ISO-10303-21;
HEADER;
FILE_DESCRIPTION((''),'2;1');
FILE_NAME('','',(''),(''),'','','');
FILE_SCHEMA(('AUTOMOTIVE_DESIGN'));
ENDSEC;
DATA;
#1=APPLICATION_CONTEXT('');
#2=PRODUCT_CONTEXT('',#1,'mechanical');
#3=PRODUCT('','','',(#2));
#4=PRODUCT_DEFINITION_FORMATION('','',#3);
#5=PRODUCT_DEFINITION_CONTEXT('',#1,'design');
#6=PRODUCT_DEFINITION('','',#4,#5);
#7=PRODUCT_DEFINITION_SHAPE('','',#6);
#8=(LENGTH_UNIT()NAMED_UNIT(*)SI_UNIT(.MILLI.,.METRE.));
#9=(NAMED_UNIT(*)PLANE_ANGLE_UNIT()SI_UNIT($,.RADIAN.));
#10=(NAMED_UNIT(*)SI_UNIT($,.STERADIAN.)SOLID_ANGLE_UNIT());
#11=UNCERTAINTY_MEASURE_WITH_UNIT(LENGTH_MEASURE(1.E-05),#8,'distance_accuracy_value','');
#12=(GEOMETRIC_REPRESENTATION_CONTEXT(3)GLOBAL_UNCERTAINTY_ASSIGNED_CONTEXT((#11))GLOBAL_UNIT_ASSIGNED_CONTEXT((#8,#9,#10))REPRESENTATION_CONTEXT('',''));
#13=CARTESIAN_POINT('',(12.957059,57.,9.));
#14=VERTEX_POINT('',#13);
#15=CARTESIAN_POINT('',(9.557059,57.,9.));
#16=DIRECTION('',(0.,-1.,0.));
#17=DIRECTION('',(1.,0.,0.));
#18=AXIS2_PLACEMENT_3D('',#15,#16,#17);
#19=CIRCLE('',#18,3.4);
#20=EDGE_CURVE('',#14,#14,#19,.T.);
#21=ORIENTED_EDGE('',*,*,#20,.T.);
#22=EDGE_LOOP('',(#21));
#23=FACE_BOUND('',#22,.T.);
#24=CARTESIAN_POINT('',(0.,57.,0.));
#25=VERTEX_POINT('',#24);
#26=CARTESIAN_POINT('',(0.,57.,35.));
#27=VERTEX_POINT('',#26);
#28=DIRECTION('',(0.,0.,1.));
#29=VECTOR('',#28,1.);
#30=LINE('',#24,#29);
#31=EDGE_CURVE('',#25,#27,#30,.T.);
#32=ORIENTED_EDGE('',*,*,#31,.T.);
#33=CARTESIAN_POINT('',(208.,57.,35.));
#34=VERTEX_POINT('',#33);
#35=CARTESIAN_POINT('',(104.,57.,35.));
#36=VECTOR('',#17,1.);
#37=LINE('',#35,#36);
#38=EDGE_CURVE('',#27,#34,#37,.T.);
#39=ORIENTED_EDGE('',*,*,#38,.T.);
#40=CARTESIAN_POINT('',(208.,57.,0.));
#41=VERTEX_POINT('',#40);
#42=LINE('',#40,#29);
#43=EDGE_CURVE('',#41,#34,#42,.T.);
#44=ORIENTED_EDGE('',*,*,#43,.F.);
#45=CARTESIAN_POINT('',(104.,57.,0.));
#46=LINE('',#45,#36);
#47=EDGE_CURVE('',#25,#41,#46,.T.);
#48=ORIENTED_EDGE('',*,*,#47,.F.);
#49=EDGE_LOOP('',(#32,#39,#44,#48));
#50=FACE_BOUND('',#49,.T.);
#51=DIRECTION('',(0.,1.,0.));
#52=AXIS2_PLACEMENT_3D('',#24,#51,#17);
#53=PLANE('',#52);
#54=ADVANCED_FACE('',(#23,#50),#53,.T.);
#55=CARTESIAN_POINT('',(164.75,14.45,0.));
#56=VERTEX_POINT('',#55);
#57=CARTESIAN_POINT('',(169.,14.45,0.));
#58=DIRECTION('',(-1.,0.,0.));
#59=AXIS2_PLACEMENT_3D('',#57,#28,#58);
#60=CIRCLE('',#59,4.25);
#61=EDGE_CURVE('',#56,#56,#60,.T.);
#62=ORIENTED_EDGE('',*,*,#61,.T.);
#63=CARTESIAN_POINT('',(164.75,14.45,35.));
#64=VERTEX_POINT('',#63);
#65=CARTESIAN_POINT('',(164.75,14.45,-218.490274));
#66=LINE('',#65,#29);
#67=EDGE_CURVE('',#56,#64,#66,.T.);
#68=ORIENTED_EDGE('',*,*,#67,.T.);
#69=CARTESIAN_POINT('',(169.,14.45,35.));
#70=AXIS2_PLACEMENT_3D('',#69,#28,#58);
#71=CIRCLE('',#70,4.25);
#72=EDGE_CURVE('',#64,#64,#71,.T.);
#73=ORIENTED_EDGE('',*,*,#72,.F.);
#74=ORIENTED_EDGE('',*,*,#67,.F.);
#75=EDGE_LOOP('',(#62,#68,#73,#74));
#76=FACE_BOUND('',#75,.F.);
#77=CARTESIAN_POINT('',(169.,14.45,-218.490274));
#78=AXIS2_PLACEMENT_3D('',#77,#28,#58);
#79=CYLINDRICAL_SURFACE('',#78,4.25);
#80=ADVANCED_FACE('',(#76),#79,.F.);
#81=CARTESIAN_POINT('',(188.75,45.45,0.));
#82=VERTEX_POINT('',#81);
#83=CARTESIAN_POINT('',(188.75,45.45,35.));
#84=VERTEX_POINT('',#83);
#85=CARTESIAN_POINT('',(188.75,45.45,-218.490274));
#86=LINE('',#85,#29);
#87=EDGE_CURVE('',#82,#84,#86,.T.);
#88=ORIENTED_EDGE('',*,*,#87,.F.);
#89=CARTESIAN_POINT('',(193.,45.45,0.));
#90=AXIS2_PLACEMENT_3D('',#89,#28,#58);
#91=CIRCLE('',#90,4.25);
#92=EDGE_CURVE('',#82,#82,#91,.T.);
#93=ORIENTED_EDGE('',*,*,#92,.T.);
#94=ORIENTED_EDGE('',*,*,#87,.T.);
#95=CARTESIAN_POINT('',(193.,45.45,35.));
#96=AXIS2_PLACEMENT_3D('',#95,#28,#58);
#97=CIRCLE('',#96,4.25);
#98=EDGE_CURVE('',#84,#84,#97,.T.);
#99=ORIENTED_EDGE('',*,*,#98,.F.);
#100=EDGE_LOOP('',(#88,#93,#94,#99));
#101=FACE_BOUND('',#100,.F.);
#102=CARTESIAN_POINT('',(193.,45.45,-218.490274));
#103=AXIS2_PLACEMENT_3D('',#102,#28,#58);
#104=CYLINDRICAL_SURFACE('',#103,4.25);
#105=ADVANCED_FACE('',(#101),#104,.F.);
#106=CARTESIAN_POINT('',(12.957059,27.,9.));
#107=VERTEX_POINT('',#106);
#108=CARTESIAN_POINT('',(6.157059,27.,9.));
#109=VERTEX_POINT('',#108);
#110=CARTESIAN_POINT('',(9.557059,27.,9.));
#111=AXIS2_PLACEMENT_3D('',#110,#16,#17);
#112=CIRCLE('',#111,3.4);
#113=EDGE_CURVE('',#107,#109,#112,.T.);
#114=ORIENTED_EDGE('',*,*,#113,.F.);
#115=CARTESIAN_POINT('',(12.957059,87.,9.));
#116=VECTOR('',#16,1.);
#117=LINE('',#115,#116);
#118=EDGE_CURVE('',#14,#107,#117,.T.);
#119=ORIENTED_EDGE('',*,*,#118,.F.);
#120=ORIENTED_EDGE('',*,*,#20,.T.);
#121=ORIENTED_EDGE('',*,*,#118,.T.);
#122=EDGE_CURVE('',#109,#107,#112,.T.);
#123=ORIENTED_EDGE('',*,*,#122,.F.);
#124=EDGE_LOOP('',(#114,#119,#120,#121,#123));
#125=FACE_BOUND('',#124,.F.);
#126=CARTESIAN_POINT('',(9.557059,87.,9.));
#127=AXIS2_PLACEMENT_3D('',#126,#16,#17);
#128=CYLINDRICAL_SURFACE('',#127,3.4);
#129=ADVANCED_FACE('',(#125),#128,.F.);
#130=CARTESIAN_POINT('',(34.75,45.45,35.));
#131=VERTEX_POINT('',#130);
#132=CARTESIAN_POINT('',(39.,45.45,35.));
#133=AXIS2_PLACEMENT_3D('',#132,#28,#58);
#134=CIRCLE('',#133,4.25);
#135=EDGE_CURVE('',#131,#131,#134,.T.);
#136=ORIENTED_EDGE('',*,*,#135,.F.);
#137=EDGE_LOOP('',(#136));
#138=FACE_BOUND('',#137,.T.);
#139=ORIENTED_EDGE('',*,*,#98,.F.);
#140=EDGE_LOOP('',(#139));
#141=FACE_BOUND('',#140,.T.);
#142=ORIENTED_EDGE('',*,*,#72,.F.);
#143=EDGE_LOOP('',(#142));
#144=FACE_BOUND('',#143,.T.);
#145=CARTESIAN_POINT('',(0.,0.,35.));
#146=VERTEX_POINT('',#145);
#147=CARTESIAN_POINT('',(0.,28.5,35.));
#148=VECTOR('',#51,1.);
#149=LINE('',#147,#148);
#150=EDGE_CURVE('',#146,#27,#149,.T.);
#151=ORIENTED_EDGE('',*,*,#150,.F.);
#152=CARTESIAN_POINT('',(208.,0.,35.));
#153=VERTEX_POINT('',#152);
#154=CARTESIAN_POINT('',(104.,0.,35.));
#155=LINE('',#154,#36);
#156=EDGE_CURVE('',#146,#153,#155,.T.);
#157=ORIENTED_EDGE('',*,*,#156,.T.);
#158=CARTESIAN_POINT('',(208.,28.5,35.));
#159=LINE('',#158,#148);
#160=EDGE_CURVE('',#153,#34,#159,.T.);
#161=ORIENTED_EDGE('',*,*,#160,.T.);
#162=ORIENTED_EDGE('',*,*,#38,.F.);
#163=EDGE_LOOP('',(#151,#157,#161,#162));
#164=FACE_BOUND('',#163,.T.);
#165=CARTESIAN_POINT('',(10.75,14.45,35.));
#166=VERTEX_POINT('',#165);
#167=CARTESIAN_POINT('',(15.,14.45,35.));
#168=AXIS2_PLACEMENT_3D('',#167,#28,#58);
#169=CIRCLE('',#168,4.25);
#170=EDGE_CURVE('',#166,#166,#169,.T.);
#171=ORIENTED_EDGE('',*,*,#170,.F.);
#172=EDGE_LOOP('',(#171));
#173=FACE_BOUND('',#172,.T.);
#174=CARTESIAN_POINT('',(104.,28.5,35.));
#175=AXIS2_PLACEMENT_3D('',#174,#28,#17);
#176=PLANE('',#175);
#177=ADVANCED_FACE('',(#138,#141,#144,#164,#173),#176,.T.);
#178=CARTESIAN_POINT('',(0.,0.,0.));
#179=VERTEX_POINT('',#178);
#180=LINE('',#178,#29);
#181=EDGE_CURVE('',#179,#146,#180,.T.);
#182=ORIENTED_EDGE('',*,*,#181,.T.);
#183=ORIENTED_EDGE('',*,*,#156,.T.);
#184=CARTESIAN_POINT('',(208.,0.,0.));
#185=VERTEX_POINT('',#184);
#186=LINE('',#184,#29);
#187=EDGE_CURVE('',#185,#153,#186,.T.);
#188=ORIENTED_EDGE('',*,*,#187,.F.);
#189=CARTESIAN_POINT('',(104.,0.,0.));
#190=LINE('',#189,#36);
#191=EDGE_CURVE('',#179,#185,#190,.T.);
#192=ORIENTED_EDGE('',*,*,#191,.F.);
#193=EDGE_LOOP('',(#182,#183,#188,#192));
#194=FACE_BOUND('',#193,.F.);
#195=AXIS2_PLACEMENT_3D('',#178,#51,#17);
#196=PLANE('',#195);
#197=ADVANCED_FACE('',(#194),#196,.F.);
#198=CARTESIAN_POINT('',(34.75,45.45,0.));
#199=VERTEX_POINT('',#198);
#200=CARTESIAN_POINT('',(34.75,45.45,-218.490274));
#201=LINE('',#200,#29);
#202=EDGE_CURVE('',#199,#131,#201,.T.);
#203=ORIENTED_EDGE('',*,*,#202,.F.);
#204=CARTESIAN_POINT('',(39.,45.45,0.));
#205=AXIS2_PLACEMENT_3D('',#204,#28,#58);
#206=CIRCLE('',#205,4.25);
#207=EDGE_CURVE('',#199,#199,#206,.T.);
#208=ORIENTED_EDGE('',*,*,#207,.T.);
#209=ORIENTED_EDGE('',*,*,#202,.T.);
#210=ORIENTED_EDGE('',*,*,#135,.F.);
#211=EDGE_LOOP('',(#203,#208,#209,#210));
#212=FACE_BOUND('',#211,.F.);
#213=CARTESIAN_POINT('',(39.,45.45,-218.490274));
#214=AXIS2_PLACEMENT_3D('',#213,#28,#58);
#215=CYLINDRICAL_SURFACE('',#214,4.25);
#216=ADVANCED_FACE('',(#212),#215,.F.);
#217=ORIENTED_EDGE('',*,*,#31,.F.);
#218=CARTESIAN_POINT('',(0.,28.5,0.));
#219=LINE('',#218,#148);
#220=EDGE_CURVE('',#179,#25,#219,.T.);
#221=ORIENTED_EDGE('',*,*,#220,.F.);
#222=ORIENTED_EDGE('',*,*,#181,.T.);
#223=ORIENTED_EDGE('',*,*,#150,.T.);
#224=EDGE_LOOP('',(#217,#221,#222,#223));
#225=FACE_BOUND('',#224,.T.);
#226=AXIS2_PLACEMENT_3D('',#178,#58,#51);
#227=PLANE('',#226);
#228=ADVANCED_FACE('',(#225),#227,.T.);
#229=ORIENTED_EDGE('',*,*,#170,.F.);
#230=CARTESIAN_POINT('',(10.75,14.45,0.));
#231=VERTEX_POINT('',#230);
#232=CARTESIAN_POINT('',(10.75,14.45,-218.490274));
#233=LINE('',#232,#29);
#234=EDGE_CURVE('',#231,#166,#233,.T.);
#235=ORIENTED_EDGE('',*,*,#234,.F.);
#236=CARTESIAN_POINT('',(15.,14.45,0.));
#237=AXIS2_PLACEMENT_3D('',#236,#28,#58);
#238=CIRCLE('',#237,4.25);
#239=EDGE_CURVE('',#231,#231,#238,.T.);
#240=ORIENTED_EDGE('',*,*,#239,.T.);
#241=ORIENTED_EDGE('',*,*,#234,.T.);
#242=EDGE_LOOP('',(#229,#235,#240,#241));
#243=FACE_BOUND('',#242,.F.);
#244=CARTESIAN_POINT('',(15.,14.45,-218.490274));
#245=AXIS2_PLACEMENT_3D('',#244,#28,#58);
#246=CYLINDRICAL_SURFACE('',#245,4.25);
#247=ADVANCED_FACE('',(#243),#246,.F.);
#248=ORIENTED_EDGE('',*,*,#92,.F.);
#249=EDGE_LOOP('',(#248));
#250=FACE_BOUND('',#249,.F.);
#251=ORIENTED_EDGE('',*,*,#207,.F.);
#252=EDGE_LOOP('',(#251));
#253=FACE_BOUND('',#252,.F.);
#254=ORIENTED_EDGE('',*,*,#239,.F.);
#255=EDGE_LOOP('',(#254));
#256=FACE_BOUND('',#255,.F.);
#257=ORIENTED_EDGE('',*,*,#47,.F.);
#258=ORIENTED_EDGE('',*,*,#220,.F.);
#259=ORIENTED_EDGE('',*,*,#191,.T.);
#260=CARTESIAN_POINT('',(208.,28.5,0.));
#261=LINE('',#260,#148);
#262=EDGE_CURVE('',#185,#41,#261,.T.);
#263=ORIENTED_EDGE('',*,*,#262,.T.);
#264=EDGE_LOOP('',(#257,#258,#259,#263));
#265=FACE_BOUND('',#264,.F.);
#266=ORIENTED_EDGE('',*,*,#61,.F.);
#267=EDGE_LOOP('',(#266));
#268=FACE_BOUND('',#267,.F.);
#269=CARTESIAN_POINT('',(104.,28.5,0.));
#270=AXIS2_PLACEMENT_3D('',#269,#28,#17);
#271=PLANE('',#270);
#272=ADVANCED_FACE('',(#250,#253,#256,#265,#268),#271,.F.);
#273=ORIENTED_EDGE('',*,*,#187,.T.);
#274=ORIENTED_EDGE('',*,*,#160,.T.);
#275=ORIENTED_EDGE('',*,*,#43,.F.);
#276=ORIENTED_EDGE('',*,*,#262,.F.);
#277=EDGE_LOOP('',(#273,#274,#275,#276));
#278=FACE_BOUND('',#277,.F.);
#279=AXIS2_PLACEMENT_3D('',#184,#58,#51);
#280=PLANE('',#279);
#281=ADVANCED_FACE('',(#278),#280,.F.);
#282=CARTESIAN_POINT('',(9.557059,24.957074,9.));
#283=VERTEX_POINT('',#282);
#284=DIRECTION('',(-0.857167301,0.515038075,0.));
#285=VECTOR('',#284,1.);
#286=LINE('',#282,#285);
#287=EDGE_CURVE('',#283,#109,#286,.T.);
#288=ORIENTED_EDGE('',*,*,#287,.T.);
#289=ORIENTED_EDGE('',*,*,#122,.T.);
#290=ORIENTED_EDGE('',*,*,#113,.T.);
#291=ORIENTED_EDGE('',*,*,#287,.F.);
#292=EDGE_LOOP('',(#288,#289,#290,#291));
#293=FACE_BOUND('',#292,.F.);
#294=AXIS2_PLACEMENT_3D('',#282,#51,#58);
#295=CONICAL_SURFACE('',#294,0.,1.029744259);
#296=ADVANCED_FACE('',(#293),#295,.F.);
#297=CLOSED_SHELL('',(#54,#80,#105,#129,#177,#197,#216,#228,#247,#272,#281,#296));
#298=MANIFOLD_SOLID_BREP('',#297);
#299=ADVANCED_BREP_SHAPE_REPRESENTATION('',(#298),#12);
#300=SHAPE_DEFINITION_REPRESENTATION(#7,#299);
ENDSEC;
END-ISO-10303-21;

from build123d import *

# Parameters (mm, degrees)
F0_W     = 208
F0_H     = 57
F1_DEPTH = 35
F3_D     = 6.8
F3_DEPTH = 30
F3_TIP   = 2.0429261047
F4_D     = 8.5


with BuildPart() as f1:
    # F0 (on Top) → F1 (new body)
    with BuildSketch(Plane.XY):
        with Locations((104, 28.5)):
            Rectangle(F0_W, F0_H)
    extrude(amount=F1_DEPTH)

    # F3
    with Locations(Plane(origin=(0, 57, 0), x_dir=(-1, 0, 0), z_dir=(0, 1, 0))):
        with Locations((-9.5570590347, 9)):
            Hole(F3_D / 2, depth=F3_DEPTH)
            with Locations((0, 0, -(F3_DEPTH + F3_TIP / 2))):  # 118° drill point
                Cone(0, F3_D / 2, F3_TIP, mode=Mode.SUBTRACT)

    # F4 (through all)
    with Locations(Plane(origin=(0, 0, 0), x_dir=(1, 0, 0), z_dir=(0, 0, -1))):
        with Locations((193, -45.45), (169, -14.45), (39, -45.45), (15, -14.45)):
            Hole(F4_D / 2)


solid = f1.part
